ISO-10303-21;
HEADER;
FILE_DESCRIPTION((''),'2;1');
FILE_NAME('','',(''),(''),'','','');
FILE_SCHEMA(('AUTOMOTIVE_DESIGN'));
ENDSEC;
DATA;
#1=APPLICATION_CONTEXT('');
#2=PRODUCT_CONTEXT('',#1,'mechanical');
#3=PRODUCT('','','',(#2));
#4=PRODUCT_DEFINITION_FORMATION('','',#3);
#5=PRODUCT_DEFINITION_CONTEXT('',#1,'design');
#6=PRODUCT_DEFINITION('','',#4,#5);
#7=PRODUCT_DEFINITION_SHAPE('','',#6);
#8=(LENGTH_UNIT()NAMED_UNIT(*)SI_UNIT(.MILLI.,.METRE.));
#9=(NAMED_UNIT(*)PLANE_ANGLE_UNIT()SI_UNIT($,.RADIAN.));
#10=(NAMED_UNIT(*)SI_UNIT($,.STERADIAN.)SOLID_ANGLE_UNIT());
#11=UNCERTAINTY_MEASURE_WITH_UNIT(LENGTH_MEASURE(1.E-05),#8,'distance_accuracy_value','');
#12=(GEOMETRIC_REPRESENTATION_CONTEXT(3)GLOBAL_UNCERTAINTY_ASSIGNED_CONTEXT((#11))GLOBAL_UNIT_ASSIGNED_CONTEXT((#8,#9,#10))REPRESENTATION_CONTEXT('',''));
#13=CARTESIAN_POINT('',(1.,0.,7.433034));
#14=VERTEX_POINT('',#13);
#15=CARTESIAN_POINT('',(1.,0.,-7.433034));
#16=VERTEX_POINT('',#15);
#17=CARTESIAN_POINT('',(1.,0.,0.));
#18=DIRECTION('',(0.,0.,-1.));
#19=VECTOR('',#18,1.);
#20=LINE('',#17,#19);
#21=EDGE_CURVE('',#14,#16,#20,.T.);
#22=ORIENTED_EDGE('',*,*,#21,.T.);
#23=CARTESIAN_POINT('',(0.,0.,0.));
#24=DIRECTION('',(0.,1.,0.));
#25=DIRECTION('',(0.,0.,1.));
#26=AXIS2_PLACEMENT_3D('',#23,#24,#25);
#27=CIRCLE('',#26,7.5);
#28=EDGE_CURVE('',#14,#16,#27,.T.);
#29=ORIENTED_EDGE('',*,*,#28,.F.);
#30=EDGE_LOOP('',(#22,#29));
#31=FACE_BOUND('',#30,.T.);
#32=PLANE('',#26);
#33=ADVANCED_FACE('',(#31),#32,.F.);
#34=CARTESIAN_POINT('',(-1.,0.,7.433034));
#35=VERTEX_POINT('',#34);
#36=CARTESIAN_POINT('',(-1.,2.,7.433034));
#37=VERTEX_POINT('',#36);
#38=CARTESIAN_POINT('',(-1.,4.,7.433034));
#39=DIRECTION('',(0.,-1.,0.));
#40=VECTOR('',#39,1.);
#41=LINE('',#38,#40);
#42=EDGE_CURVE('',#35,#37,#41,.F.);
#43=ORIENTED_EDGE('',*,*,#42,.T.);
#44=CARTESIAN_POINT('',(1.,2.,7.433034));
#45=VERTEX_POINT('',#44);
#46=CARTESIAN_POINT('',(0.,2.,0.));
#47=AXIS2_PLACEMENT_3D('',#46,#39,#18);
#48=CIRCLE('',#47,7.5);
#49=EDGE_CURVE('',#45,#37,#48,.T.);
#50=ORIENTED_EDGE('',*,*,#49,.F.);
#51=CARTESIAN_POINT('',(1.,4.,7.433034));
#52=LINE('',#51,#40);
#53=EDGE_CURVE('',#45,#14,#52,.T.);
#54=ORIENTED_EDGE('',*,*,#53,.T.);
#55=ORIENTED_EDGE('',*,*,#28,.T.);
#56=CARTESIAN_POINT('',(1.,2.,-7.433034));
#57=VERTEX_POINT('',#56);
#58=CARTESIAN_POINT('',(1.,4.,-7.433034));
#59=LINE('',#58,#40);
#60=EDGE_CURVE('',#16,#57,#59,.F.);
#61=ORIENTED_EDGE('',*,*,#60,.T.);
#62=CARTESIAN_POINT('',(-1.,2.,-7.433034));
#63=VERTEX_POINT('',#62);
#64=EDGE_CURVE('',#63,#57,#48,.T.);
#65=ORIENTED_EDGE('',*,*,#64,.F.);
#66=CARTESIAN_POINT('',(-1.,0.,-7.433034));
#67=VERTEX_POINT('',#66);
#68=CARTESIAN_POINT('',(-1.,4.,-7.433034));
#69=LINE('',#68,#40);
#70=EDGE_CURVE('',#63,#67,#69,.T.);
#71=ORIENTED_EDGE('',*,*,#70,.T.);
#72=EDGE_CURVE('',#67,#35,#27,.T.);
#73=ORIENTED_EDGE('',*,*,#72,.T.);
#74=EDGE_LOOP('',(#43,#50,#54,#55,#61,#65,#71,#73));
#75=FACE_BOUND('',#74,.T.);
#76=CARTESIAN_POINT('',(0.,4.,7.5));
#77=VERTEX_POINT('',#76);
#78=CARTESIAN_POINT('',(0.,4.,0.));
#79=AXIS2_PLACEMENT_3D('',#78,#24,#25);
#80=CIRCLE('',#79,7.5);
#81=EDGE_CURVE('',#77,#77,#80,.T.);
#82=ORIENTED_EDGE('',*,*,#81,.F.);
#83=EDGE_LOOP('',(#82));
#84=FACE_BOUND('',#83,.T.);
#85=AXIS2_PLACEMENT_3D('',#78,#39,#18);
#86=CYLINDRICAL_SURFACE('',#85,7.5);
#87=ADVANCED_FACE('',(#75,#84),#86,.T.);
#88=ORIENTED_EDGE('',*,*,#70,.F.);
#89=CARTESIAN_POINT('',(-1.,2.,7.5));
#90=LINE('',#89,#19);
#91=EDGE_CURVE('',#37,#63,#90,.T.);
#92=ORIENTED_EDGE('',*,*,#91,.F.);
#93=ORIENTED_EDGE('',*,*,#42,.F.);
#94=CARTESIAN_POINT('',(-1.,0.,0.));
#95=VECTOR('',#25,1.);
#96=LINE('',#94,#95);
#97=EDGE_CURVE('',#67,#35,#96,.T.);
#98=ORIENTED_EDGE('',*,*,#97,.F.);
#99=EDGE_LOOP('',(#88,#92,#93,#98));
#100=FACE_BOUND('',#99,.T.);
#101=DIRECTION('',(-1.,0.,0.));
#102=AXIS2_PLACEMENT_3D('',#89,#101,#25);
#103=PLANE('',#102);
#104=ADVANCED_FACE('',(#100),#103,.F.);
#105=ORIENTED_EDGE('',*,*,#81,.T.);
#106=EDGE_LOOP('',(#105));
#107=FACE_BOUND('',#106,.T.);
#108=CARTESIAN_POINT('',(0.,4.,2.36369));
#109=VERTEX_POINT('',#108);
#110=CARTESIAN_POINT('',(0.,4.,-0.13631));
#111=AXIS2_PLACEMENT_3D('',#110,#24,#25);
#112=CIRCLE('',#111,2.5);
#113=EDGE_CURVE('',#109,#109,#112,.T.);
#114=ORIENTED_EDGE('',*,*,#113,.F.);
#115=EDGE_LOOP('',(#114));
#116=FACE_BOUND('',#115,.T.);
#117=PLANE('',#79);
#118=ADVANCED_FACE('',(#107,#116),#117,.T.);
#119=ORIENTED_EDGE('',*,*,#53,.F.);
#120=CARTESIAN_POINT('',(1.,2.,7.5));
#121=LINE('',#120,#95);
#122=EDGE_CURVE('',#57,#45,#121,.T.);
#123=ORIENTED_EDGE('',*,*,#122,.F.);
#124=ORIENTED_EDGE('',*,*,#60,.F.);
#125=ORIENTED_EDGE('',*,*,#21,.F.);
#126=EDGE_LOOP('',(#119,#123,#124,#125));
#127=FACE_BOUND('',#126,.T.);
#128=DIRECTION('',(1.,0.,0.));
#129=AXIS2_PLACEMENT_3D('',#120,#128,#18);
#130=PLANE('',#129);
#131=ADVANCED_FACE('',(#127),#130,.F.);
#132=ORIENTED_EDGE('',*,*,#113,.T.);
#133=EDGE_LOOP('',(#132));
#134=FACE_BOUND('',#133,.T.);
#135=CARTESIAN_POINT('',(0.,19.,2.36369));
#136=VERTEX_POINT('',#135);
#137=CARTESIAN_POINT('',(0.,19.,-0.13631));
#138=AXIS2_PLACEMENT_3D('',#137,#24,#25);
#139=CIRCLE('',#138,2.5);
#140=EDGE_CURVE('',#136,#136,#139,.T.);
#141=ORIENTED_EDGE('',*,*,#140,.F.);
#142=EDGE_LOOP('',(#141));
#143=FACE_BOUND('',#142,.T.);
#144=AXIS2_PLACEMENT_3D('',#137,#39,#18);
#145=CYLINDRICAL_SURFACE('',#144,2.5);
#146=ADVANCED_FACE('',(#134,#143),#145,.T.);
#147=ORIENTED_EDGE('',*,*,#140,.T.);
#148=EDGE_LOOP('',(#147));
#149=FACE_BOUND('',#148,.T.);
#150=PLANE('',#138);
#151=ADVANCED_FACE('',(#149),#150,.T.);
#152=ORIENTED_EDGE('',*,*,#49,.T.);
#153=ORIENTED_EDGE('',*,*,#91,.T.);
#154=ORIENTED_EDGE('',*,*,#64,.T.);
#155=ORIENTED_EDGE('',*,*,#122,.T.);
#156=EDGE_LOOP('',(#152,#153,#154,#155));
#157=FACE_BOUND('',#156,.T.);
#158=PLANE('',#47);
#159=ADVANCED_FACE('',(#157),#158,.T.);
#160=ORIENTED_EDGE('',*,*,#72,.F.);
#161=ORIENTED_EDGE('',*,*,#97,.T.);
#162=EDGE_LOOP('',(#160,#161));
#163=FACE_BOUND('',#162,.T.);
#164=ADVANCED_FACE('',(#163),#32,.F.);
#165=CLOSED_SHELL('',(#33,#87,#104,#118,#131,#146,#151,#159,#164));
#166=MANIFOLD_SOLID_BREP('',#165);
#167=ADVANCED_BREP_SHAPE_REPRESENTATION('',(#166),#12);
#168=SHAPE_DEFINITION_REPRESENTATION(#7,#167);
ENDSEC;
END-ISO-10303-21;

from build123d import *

# Parameters (mm, degrees)
SKETCH_1_R          = 7.5
EXTRUDE_1_DEPTH     = 4
SKETCH_2_R          = 2.5
EXTRUDE_2_DEPTH     = 15
SKETCH_3_W          = 2
SKETCH_3_H          = 15
CUT_EXTRUDE_1_DEPTH = 2


with BuildPart() as part:
    # Эскиз1 → Бобышка-Вытянуть1 (new body)
    with BuildSketch(Plane(origin=(0, 0, 0), x_dir=(1, 0, 0), z_dir=(0, 1, 0))):
        Circle(SKETCH_1_R)
    extrude(amount=EXTRUDE_1_DEPTH)

    # Эскиз2 → Бобышка-Вытянуть2 (add)
    with BuildSketch(Plane(origin=(0, 4, 0), x_dir=(1, 0, 0), z_dir=(0, 1, 0))):
        with Locations((0, 0.136309696)):
            Circle(SKETCH_2_R)
    extrude(amount=EXTRUDE_2_DEPTH)

    # Эскиз3 → Вырез-Вытянуть1 (cut)
    with BuildSketch(Plane.XZ):
        Rectangle(SKETCH_3_W, SKETCH_3_H)
    extrude(amount=-CUT_EXTRUDE_1_DEPTH, mode=Mode.SUBTRACT)


solid = part.part
